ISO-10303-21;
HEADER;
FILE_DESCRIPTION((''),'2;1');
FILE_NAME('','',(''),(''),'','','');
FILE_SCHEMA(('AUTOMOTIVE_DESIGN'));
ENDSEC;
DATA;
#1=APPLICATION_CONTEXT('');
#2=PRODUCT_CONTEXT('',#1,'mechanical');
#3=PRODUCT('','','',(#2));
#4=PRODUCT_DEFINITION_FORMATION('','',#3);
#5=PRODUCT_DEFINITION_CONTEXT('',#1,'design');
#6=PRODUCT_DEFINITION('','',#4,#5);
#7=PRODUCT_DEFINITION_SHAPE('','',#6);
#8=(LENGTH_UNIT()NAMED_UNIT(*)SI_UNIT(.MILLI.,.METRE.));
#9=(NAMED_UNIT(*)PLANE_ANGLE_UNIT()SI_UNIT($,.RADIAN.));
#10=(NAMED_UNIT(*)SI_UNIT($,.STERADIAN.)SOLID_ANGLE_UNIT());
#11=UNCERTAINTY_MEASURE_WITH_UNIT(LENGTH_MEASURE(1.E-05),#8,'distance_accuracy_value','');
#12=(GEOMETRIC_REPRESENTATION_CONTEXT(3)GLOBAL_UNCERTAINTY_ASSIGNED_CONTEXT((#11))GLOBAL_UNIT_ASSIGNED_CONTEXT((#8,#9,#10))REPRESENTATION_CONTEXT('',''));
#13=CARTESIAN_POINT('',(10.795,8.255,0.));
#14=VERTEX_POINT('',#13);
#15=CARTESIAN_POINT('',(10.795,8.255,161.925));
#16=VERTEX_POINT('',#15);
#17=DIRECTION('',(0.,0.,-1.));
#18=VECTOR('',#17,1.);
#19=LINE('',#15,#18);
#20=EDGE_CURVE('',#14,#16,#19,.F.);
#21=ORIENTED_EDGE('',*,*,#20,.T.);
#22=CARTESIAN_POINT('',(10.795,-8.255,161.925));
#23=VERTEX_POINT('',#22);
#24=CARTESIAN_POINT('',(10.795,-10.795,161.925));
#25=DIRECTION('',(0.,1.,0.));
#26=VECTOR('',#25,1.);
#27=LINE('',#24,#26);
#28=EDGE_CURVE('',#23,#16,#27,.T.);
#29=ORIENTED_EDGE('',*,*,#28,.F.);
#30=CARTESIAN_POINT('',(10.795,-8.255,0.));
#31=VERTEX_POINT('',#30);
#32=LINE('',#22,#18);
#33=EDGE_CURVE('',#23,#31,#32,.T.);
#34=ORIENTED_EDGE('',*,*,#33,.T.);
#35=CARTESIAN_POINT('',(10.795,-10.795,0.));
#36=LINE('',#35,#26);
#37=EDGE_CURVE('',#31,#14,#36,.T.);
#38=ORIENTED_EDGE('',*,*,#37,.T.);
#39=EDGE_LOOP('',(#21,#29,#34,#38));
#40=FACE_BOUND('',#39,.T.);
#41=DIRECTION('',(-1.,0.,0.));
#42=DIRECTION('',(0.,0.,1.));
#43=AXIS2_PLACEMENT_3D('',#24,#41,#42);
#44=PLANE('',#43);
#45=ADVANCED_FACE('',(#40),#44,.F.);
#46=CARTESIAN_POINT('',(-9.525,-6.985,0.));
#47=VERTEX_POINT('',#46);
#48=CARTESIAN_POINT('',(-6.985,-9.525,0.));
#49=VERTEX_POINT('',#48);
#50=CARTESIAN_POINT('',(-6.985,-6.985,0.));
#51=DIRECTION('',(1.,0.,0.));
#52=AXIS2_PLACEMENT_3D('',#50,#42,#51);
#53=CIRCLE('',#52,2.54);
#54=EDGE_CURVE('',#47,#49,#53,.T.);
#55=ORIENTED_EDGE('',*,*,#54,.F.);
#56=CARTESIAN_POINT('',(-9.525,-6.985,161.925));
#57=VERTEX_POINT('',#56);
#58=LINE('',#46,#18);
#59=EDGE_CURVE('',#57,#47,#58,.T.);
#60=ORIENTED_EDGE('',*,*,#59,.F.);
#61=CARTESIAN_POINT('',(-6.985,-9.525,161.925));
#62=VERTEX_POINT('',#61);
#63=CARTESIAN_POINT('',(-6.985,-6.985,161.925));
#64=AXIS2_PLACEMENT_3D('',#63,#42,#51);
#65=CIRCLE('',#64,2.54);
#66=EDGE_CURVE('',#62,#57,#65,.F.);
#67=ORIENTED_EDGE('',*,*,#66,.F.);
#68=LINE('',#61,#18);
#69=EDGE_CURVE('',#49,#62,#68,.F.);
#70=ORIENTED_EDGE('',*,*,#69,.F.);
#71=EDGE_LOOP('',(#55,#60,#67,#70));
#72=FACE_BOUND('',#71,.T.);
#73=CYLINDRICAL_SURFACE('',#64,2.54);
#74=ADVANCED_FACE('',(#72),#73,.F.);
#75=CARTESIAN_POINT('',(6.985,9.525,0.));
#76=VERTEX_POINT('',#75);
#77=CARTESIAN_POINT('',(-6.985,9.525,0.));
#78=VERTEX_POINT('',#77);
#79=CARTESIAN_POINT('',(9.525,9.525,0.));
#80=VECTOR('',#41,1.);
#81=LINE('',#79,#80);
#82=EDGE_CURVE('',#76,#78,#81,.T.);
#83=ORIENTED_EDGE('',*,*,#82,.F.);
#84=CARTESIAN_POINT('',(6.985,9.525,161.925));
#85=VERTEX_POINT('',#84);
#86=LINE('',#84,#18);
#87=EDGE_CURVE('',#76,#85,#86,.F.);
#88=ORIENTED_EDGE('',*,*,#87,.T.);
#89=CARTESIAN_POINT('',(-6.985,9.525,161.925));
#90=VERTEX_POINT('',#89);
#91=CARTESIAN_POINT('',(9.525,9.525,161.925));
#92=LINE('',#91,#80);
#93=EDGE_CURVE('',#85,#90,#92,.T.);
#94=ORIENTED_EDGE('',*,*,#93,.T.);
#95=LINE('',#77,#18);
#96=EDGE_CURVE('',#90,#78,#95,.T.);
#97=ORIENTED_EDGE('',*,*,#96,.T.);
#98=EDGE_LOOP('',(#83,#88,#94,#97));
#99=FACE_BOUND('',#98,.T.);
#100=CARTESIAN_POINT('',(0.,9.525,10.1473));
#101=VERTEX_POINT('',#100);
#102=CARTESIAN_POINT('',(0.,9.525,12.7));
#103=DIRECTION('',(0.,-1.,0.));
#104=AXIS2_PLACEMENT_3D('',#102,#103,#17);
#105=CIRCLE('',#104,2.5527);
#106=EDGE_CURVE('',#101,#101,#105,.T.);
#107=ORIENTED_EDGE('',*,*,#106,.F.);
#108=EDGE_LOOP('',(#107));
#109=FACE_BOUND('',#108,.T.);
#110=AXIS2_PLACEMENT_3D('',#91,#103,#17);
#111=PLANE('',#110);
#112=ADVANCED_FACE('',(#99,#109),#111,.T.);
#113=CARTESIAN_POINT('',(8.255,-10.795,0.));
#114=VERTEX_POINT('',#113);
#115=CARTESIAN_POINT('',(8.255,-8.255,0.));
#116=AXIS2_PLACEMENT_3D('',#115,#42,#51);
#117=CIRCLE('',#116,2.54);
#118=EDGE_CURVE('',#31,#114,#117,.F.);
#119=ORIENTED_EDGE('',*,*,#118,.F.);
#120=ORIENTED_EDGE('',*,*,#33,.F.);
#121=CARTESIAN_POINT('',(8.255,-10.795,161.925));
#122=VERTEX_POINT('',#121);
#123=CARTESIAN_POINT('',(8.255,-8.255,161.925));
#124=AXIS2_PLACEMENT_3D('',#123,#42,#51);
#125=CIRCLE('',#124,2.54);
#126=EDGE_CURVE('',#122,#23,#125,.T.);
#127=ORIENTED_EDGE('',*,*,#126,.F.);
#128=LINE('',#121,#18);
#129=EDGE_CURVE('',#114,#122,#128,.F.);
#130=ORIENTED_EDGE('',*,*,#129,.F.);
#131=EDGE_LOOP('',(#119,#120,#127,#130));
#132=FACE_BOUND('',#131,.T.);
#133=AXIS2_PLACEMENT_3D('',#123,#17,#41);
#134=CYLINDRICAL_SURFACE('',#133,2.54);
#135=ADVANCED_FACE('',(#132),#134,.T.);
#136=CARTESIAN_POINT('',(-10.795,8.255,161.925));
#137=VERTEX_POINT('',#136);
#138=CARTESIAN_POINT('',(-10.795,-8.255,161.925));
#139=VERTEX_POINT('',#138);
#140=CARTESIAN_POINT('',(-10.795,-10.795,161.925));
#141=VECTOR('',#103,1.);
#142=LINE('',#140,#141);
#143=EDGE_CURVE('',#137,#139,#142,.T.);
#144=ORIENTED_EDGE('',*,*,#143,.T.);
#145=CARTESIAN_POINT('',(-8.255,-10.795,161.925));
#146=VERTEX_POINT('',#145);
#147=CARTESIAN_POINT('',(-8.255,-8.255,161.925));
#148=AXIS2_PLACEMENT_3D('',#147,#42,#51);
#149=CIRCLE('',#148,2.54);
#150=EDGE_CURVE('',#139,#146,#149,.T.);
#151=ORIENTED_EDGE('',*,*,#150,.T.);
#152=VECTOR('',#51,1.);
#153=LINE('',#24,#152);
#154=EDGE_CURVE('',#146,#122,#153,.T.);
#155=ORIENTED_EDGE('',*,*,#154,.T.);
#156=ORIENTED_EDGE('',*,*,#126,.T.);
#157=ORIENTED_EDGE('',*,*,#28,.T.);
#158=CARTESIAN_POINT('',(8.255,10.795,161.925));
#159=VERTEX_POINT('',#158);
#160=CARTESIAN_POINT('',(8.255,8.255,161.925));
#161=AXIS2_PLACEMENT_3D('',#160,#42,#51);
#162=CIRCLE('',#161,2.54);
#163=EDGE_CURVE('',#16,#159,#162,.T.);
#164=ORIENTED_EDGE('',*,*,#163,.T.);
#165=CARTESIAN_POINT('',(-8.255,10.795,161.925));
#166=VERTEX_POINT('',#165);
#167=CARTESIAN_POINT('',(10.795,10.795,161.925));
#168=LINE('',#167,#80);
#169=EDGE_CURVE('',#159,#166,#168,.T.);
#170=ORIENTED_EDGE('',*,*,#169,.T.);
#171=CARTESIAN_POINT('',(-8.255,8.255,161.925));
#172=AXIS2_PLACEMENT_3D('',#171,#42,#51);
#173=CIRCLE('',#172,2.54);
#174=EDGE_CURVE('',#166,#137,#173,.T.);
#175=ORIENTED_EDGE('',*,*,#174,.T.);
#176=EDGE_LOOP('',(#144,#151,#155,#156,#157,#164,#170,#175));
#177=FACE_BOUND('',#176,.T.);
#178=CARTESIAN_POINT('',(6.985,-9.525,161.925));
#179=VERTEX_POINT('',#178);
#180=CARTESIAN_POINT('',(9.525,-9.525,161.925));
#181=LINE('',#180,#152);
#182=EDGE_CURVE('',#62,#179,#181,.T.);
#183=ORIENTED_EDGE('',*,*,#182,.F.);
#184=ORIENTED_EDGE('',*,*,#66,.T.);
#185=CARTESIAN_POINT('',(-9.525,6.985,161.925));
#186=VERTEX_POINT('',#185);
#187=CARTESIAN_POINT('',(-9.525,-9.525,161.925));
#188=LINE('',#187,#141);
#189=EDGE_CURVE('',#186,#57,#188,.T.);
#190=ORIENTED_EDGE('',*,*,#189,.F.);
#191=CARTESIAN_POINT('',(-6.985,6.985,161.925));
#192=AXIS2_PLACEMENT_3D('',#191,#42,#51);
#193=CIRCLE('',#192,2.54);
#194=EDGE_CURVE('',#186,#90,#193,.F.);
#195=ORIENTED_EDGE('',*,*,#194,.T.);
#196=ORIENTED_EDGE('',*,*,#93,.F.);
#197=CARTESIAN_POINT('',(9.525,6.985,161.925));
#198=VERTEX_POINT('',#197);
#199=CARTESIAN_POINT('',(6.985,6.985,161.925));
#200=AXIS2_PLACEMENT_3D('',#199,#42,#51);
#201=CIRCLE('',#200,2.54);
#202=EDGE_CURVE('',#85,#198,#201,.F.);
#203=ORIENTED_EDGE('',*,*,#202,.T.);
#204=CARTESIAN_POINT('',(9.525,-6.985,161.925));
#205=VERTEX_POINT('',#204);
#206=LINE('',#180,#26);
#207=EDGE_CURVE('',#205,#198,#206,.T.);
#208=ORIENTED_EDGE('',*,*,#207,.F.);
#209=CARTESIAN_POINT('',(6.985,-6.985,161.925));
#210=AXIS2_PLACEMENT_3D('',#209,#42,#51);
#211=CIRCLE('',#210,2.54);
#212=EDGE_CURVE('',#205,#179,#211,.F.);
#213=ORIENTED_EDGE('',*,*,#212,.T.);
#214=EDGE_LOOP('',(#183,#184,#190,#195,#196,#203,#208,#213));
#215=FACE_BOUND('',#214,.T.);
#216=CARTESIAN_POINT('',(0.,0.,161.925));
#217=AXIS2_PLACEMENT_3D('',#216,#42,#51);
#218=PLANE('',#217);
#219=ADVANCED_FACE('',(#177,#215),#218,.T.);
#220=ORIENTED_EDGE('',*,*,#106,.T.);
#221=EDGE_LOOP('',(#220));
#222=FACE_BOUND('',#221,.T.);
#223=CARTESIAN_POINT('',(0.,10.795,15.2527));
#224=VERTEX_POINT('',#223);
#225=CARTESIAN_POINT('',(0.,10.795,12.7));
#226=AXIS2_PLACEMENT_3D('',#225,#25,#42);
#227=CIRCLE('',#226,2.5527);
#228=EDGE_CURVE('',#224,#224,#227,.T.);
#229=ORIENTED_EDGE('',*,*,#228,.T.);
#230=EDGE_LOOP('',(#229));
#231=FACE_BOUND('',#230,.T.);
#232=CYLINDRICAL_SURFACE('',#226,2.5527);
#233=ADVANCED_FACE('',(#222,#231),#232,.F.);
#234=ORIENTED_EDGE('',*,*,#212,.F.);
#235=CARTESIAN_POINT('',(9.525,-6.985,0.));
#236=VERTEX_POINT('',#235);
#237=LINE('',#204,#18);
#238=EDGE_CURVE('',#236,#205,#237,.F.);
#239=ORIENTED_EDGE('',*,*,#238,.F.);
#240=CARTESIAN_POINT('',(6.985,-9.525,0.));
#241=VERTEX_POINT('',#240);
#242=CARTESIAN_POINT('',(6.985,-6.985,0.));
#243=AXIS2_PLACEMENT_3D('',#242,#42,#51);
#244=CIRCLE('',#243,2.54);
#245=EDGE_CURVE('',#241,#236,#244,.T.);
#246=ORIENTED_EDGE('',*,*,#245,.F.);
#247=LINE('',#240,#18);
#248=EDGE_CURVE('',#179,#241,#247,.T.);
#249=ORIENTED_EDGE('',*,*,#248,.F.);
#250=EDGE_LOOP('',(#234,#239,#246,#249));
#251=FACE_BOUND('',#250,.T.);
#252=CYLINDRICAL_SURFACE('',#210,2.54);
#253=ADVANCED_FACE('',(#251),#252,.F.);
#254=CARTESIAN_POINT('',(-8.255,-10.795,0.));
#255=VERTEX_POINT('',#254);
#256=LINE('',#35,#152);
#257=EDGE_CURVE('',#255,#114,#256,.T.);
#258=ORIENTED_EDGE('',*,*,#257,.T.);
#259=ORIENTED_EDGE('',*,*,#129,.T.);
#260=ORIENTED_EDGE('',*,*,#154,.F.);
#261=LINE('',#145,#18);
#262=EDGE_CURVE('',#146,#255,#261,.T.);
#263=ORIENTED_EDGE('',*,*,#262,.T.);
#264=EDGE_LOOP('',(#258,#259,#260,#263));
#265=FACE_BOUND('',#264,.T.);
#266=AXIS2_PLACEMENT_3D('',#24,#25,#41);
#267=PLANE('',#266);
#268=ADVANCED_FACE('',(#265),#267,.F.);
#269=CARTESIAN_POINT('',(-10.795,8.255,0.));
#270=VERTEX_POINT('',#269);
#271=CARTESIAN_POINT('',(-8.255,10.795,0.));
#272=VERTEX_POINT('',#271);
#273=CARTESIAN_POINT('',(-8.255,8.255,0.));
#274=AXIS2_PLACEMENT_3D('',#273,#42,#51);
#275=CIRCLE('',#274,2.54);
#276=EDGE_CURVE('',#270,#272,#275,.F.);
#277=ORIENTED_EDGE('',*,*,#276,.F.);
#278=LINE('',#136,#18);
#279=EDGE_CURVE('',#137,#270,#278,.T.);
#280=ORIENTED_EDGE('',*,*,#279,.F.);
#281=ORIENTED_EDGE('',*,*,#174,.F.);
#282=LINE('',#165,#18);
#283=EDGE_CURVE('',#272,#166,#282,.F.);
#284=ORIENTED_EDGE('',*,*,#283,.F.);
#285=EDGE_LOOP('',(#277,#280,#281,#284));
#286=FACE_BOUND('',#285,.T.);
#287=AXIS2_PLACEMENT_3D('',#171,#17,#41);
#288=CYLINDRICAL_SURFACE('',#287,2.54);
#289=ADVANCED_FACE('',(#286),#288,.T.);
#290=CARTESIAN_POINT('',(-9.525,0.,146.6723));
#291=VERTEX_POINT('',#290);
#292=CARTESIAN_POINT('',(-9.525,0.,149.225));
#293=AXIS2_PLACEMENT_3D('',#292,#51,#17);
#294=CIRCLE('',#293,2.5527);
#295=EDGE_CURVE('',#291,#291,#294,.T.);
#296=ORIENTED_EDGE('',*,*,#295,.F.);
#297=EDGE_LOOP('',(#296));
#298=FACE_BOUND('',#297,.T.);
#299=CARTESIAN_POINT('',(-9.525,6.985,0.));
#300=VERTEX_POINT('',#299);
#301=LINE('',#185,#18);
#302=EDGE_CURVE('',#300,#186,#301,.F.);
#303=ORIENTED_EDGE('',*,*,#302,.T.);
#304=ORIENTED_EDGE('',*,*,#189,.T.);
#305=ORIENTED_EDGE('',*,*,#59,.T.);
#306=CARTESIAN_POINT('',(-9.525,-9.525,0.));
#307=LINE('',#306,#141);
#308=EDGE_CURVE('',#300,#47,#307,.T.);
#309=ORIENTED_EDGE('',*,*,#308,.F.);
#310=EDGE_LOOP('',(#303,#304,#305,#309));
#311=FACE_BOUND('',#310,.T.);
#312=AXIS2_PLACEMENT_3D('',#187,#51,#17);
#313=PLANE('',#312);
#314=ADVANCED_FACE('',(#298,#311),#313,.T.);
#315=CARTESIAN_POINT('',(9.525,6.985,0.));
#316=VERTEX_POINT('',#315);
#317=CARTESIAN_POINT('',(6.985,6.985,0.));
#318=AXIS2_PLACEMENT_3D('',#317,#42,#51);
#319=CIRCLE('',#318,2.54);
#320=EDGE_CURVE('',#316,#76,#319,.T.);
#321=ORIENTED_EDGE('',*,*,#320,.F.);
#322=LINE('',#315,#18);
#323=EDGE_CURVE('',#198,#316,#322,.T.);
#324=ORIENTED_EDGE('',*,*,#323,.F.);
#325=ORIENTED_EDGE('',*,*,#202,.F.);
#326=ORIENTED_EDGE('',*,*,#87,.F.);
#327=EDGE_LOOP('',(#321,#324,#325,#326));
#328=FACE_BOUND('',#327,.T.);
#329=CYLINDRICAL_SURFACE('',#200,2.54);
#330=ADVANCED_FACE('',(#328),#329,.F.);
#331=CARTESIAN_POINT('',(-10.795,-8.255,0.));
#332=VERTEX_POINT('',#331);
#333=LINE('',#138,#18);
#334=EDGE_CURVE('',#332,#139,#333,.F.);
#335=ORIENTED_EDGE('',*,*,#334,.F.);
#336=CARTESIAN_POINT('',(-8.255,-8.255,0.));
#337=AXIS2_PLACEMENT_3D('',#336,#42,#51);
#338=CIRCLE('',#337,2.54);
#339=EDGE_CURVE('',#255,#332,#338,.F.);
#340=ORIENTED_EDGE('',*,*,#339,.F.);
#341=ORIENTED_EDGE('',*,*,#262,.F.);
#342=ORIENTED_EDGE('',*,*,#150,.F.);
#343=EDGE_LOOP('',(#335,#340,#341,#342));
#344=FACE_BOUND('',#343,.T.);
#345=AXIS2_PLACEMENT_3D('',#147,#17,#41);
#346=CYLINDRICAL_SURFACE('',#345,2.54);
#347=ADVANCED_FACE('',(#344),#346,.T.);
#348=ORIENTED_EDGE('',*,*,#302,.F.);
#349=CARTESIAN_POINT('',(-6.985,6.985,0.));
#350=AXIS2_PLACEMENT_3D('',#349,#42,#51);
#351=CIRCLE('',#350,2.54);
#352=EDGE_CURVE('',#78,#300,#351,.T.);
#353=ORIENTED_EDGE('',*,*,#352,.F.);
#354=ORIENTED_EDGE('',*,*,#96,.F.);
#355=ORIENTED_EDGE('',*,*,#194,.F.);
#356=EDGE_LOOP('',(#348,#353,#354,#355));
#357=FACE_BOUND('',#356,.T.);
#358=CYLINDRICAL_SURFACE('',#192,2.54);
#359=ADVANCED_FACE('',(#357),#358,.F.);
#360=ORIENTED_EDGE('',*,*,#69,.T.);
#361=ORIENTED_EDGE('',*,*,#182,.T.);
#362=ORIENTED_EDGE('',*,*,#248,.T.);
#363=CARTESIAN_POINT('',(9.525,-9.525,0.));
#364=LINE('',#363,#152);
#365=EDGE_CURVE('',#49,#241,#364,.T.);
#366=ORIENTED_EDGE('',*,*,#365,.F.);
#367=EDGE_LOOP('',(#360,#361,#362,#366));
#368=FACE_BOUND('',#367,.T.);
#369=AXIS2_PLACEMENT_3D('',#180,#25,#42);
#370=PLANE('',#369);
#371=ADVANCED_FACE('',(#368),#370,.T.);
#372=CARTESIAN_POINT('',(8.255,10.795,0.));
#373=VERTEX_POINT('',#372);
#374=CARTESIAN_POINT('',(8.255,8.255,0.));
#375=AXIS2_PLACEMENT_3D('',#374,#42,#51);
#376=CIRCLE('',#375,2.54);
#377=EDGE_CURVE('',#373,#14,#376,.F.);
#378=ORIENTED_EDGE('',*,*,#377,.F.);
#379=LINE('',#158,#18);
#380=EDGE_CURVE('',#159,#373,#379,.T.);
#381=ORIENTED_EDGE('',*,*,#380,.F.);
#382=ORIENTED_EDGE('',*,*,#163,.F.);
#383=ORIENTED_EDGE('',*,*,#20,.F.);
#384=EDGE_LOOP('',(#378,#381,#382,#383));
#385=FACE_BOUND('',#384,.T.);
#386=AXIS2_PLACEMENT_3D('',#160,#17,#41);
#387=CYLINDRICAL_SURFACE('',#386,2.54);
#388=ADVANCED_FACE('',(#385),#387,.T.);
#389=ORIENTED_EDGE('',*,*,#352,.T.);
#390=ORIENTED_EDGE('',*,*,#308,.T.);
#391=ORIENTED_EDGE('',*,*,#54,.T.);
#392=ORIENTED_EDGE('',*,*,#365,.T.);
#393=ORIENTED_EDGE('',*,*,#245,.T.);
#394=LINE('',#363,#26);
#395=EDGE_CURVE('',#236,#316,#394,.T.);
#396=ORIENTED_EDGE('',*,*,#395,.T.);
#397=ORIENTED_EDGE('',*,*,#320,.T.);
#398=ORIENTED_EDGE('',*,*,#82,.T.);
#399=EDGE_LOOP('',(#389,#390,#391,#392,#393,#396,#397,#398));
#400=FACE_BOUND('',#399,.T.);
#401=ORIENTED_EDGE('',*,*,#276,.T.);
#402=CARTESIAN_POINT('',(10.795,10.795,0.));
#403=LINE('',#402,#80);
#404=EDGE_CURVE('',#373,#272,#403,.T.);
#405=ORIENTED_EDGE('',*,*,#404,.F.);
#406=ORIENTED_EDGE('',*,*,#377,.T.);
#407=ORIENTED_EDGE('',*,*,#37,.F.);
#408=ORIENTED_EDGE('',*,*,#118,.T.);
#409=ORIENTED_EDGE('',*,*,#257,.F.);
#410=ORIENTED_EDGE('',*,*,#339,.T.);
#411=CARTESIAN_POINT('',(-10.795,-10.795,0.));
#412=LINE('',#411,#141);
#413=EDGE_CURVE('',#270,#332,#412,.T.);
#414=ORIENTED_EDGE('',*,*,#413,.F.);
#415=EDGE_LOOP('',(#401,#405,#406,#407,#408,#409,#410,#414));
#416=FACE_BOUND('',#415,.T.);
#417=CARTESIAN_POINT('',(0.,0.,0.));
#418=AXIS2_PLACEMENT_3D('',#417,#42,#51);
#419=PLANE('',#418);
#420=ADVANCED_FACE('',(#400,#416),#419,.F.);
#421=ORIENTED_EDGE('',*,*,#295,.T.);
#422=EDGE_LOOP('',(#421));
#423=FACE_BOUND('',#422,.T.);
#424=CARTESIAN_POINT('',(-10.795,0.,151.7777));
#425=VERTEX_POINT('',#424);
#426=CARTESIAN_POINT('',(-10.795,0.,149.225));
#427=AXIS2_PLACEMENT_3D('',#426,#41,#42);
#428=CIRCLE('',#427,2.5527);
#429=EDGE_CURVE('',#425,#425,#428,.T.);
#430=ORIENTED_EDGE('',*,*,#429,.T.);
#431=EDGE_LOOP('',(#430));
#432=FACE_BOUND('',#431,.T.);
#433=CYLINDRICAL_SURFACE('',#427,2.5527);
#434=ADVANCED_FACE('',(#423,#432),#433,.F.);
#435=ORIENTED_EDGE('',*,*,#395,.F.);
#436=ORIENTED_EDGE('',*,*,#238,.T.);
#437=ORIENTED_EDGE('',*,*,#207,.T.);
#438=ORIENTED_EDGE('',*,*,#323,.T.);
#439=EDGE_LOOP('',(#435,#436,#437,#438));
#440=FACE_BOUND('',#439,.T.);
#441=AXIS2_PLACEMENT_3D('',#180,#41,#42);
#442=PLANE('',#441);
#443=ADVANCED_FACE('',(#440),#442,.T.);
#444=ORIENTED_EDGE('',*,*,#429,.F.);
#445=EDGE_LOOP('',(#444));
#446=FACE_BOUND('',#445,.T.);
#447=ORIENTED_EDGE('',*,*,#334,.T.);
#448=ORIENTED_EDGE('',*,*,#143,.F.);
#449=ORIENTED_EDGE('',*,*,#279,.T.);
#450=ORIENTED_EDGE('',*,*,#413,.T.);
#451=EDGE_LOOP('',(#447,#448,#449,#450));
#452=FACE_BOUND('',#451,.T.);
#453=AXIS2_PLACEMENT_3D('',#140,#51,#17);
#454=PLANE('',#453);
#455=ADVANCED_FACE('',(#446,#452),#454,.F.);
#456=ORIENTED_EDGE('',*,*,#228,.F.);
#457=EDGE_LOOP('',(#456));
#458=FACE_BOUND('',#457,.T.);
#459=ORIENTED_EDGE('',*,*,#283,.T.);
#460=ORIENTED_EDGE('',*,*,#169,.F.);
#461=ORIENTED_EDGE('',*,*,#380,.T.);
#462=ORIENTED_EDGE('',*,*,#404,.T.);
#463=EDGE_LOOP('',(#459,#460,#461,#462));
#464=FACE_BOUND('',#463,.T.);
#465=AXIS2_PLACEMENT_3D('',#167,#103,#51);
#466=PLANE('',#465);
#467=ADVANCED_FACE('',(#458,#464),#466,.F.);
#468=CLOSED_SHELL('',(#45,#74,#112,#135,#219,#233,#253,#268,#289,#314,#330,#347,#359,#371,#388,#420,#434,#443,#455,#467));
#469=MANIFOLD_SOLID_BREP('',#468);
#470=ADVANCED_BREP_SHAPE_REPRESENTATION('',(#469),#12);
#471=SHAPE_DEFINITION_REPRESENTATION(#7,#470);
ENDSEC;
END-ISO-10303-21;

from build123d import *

# Parameters (mm, degrees)
SKETCH4_W                  = 21.59
SKETCH4_H                  = 21.59
SKETCH4_W_2                = 19.05
SKETCH4_H_2                = 19.05
BOSS_EXTRUDE2_DEPTH        = 161.925
FILLET1_R                  = 2.54
F_10_CLEARANCE_HOLE1_D     = 5.1054
F_10_CLEARANCE_HOLE1_DEPTH = 12.7
F_10_CLEARANCE_HOLE1_TIP   = 1.533816902
F_10_CLEARANCE_HOLE2_D     = 5.1054
F_10_CLEARANCE_HOLE2_DEPTH = 12.7
F_10_CLEARANCE_HOLE2_TIP   = 1.533816902


with BuildPart() as part:
    # Sketch4 → Boss-Extrude2 (new body)
    with BuildSketch(Plane.XY):
        Rectangle(SKETCH4_W, SKETCH4_H)
        Rectangle(SKETCH4_W_2, SKETCH4_H_2, mode=Mode.SUBTRACT)
    extrude(amount=BOSS_EXTRUDE2_DEPTH)

    # Fillet1
    fillet1_edges = [part.edges().sort_by_distance(p)[0] for p in [
        (-9.525, 9.525, 80.9625),
        (-9.525, -9.525, 80.9625),
        (9.525, -9.525, 80.9625),
        (9.525, 9.525, 80.9625),
        (-10.795, 10.795, 80.9625),
        (10.795, 10.795, 80.9625),
        (10.795, -10.795, 80.9625),
        (-10.795, -10.795, 80.9625),
    ]]
    fillet(fillet1_edges, radius=FILLET1_R)

    # #10 Clearance Hole1
    with Locations(Plane(origin=(0, 10.795, 0), x_dir=(1, 0, 0), z_dir=(0, 1, 0))):
        with Locations((0, -12.7)):
            Hole(F_10_CLEARANCE_HOLE1_D / 2, depth=F_10_CLEARANCE_HOLE1_DEPTH)
            with Locations((0, 0, -(F_10_CLEARANCE_HOLE1_DEPTH + F_10_CLEARANCE_HOLE1_TIP / 2))):  # 118° drill point
                Cone(0, F_10_CLEARANCE_HOLE1_D / 2, F_10_CLEARANCE_HOLE1_TIP, mode=Mode.SUBTRACT)

    # #10 Clearance Hole2
    with Locations(Plane.ZY.offset(10.795)):
        with Locations((149.225, 0)):
            Hole(F_10_CLEARANCE_HOLE2_D / 2, depth=F_10_CLEARANCE_HOLE2_DEPTH)
            with Locations((0, 0, -(F_10_CLEARANCE_HOLE2_DEPTH + F_10_CLEARANCE_HOLE2_TIP / 2))):  # 118° drill point
                Cone(0, F_10_CLEARANCE_HOLE2_D / 2, F_10_CLEARANCE_HOLE2_TIP, mode=Mode.SUBTRACT)


solid = part.part
